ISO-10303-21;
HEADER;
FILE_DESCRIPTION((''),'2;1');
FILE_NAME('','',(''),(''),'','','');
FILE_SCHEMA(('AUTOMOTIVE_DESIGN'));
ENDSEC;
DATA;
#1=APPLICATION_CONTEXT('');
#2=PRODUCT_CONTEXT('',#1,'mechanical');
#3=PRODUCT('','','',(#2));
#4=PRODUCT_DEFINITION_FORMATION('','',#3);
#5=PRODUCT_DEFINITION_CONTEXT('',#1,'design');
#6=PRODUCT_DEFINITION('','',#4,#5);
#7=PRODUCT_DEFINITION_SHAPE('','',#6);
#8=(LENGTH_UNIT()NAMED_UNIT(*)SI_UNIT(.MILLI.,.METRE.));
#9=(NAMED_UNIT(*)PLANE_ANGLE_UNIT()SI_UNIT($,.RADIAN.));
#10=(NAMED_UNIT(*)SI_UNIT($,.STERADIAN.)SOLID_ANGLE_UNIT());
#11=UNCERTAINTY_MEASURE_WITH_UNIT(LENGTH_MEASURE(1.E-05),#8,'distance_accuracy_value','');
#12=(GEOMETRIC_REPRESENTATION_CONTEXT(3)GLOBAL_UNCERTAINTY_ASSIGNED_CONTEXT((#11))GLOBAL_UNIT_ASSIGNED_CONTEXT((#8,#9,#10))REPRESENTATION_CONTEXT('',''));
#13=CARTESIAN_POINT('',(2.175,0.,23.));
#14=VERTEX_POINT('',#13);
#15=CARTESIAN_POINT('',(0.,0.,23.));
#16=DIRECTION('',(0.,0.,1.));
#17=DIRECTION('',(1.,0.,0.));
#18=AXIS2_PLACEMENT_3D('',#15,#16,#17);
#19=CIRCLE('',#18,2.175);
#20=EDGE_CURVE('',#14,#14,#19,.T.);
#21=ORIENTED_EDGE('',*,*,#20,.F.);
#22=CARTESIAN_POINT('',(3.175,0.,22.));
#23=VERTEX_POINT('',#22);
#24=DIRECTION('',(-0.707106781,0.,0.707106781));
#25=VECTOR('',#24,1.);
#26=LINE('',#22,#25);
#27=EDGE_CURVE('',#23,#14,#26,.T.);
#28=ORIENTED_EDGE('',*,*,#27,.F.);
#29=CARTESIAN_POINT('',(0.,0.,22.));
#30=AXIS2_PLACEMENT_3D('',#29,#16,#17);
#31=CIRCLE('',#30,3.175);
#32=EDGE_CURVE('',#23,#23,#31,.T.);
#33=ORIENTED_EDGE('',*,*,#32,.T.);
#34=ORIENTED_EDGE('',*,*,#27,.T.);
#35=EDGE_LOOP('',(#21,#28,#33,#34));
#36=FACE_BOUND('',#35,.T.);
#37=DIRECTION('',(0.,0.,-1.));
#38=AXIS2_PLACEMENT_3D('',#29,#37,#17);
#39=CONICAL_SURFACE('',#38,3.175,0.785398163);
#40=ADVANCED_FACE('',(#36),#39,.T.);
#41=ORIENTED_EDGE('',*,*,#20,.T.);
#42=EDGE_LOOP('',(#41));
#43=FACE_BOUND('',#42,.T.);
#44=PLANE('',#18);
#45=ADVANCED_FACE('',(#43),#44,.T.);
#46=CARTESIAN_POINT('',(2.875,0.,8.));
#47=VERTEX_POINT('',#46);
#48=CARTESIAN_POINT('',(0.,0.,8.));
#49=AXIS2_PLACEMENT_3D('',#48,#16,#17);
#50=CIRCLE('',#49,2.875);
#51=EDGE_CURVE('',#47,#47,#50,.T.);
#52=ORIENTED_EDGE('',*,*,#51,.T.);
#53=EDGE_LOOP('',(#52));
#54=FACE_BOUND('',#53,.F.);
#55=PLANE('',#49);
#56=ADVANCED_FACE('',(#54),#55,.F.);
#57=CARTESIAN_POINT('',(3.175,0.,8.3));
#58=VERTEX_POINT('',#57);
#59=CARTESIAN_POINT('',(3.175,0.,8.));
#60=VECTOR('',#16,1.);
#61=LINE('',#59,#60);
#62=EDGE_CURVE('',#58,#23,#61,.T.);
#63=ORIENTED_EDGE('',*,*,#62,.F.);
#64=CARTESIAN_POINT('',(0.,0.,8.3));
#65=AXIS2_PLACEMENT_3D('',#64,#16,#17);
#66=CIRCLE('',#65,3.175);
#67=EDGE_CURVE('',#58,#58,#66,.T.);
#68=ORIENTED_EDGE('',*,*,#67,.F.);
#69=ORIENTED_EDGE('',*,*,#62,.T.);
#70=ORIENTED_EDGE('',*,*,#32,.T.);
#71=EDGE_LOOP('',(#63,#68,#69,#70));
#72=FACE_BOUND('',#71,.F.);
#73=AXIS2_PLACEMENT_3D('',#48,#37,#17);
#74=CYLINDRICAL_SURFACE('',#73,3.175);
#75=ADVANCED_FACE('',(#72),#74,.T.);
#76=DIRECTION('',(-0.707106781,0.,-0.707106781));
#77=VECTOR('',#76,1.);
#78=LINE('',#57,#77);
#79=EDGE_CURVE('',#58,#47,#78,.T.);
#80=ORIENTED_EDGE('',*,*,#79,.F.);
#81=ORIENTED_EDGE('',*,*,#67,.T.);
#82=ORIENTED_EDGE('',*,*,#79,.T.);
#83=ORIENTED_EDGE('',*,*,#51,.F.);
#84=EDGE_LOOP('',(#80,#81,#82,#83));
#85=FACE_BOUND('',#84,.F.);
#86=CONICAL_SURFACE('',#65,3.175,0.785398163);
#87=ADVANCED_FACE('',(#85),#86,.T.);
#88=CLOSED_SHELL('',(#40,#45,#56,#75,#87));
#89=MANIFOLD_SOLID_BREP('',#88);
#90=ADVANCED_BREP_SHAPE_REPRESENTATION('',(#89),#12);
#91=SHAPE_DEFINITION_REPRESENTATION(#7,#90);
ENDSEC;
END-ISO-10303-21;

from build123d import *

# Parameters (mm, degrees)
SKETCH022_R     = 3.175
PAD011_DEPTH    = 15
CHAMFER_SIZE    = 0.3
CHAMFER001_SIZE = 1


with BuildPart() as part:
    # Sketch022 → Pad011 (new body)
    with BuildSketch(Plane.XY):
        Circle(SKETCH022_R)
    extrude(amount=PAD011_DEPTH)

    # Chamfer
    chamfer_edges = [part.edges().sort_by_distance(p)[0] for p in [
        (-3.175, 0, 0),
    ]]
    chamfer(chamfer_edges, length=CHAMFER_SIZE)

    # Chamfer001
    chamfer001_edges = [part.edges().sort_by_distance(p)[0] for p in [
        (-3.175, 0, 15),
    ]]
    chamfer(chamfer001_edges, length=CHAMFER001_SIZE)


with BuildPart() as part_1:
    # Body003003 placement: moved
    add(part.part.moved(Location((0, 0, 8))))


solid = part_1.part
